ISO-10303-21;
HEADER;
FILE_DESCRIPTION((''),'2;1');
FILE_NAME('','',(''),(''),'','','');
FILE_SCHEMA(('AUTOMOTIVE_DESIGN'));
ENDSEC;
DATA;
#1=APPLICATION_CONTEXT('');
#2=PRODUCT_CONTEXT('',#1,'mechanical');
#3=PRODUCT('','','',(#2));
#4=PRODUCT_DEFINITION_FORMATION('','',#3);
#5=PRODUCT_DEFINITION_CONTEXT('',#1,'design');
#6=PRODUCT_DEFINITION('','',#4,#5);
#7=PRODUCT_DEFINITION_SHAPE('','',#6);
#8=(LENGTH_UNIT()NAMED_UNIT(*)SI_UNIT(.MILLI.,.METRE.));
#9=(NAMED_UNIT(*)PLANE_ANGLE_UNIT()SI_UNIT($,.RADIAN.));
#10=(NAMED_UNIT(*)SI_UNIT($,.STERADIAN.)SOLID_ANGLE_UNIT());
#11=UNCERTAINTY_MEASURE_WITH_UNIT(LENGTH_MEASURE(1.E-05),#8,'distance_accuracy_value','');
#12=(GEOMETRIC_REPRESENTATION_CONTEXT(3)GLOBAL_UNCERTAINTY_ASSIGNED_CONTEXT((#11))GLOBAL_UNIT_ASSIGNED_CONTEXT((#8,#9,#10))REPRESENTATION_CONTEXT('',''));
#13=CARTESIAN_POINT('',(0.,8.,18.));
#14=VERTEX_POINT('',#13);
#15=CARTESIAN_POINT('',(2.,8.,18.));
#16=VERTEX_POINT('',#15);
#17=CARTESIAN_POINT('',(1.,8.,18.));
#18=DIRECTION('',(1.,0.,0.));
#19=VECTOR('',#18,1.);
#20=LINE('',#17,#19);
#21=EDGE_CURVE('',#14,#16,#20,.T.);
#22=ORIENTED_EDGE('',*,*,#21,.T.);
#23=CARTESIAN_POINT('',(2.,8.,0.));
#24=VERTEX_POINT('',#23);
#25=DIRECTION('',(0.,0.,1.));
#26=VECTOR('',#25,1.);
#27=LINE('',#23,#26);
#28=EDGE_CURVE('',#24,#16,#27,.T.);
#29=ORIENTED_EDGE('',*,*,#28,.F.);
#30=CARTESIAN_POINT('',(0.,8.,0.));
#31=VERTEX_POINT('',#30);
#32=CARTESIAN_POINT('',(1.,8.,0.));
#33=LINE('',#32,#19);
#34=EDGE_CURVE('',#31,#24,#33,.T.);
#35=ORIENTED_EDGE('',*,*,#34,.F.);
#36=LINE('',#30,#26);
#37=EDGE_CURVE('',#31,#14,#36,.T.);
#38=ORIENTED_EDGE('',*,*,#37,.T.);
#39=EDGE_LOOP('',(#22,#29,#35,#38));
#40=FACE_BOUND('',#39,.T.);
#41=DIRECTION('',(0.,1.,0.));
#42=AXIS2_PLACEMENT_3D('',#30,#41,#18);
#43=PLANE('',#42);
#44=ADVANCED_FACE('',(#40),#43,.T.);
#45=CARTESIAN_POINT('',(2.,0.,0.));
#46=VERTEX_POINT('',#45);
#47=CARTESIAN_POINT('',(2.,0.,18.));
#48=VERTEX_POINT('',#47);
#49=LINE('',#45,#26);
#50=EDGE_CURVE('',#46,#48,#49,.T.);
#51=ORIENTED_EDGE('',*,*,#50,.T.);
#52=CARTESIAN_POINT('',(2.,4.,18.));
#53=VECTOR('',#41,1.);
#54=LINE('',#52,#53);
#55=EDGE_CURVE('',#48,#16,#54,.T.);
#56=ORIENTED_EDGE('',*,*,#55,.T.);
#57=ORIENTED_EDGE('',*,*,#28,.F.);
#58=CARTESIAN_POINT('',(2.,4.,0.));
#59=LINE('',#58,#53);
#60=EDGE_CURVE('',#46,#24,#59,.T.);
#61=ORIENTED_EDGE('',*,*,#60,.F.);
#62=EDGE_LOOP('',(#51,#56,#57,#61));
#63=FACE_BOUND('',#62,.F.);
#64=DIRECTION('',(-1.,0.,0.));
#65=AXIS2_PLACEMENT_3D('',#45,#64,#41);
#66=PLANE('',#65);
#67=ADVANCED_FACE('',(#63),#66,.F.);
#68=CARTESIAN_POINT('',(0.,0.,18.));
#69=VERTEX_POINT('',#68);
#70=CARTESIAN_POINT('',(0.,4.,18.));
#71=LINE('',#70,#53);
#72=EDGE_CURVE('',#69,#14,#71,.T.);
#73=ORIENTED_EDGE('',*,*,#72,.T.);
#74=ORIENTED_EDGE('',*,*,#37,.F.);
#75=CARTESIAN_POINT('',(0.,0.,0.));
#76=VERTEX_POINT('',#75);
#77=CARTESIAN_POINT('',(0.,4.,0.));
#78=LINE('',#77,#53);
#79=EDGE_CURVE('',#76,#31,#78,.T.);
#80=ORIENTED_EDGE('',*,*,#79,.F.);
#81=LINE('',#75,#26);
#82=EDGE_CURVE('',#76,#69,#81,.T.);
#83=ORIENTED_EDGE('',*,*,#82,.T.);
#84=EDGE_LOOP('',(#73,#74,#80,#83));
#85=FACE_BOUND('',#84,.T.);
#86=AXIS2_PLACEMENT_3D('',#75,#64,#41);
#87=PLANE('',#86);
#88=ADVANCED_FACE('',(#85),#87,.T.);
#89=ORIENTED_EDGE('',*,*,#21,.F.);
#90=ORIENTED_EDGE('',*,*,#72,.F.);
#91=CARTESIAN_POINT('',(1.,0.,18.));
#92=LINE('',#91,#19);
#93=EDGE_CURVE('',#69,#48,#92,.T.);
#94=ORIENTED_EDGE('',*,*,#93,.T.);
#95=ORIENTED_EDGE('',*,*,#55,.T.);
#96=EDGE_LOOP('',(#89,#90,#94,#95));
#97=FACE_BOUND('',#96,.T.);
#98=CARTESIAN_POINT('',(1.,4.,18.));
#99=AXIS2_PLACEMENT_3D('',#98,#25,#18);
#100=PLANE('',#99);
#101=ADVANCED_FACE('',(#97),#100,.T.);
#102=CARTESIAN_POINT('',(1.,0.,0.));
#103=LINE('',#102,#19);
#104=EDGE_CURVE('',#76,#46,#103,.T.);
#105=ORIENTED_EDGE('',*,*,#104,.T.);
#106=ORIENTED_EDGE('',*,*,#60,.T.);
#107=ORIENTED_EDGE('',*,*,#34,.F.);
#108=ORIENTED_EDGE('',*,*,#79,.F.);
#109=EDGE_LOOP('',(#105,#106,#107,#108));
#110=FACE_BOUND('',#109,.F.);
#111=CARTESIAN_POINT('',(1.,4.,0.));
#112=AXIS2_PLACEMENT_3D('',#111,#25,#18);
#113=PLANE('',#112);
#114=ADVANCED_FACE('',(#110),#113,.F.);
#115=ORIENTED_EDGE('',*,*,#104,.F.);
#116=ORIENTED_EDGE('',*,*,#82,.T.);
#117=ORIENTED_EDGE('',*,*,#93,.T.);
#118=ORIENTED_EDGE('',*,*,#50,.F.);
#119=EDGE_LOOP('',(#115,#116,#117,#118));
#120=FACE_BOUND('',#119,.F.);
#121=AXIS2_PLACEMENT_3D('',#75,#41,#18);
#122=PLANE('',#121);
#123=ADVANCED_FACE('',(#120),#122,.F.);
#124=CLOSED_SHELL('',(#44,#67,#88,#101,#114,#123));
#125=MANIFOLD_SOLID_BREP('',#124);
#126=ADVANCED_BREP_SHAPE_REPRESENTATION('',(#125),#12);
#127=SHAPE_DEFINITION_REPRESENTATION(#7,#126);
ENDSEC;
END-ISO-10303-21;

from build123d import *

# Parameters (mm, degrees)
BOX_W     = 2
BOX_H     = 8
BOX_DEPTH = 18


with BuildPart() as part:
    # Box → Box (new body)
    with BuildSketch(Plane.XY):
        with Locations((1, 4)):
            Rectangle(BOX_W, BOX_H)
    extrude(amount=BOX_DEPTH)


solid = part.part
